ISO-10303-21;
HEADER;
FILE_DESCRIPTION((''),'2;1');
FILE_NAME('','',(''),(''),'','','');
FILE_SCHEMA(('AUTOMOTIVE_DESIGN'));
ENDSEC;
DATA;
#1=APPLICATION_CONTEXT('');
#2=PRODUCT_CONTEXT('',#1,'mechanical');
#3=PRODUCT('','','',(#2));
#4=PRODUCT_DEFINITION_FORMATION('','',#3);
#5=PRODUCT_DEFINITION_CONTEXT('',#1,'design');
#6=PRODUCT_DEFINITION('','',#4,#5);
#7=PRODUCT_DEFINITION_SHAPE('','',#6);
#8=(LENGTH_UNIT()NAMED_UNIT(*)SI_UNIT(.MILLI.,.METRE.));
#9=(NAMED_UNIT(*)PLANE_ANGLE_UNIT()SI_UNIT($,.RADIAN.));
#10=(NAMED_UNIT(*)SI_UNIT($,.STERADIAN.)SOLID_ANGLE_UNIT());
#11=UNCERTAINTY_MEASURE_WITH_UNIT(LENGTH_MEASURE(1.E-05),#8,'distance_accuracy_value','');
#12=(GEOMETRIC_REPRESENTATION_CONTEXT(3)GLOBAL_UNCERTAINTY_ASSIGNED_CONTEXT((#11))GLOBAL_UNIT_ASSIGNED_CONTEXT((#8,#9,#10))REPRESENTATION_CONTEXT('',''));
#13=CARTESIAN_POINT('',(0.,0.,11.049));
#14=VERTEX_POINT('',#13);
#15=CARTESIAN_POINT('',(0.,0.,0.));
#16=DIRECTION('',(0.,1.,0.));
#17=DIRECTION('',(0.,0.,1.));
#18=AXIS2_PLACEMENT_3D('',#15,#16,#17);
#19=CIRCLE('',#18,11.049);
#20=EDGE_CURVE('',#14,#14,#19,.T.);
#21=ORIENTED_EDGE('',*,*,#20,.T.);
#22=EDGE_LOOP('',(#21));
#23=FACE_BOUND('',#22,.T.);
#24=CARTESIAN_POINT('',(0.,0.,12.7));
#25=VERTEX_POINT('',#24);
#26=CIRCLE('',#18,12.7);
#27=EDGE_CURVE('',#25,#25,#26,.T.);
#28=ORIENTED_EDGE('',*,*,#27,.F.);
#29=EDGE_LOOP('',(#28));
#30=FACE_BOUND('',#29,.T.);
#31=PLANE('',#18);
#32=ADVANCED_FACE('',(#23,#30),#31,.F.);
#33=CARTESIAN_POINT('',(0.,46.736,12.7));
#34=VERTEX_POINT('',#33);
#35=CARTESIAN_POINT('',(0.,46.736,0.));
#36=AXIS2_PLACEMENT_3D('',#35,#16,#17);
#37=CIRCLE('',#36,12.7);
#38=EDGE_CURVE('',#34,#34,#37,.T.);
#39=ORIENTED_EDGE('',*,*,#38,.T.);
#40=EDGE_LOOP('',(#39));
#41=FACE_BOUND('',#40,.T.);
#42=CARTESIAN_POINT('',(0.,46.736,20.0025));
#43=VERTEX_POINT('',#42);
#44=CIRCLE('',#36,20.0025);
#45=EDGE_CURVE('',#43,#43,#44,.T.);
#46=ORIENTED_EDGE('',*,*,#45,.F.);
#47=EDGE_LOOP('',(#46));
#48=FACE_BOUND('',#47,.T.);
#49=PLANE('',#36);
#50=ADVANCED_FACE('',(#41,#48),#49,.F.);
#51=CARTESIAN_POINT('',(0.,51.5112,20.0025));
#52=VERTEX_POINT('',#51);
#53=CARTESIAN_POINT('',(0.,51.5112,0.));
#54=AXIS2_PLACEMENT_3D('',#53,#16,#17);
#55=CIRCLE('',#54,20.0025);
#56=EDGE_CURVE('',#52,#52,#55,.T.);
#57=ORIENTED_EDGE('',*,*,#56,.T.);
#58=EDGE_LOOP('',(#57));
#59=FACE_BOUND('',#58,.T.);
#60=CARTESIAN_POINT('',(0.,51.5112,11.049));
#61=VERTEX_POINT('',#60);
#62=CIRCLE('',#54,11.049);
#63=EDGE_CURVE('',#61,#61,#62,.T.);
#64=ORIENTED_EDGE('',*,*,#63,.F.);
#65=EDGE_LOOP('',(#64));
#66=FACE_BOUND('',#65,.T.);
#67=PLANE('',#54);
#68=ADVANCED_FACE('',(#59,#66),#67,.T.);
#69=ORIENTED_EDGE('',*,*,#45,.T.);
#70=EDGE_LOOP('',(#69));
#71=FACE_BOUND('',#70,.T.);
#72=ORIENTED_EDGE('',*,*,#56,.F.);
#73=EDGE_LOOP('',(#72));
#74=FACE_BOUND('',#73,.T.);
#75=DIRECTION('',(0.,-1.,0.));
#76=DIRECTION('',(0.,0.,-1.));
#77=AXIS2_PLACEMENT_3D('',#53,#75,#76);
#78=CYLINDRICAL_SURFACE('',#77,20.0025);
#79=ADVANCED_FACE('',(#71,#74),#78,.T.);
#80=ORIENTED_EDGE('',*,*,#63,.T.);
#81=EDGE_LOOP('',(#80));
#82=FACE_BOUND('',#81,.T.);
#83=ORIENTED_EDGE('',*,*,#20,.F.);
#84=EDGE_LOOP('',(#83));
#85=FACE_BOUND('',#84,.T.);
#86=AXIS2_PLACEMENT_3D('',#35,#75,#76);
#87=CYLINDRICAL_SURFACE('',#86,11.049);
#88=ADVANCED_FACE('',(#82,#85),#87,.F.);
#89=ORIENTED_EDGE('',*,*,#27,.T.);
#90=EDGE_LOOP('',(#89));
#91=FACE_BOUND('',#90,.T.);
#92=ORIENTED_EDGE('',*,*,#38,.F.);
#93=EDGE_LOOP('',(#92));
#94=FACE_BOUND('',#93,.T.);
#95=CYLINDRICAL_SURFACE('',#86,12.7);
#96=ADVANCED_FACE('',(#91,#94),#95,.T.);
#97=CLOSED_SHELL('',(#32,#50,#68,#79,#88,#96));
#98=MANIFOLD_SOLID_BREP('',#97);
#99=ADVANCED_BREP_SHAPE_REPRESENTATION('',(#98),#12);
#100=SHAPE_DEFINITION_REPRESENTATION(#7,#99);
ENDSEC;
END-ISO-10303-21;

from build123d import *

# Parameters (mm, degrees)
SKETCH1_R           = 12.7
SKETCH1_R_2         = 11.049
BOSS_EXTRUDE1_DEPTH = 46.736
SKETCH2_R           = 20.0025
SKETCH2_R_2         = 11.049
BOSS_EXTRUDE2_DEPTH = 4.7752


with BuildPart() as part:
    # Sketch1 → Boss-Extrude1 (new body)
    with BuildSketch(Plane(origin=(0, 0, 0), x_dir=(1, 0, 0), z_dir=(0, 1, 0))):
        with Locations(Location((0, 0, 0), (0, 0, 270))):
            Circle(SKETCH1_R)
        with Locations(Location((0, 0, 0), (0, 0, 270))):
            Circle(SKETCH1_R_2, mode=Mode.SUBTRACT)
    extrude(amount=BOSS_EXTRUDE1_DEPTH)

    # Sketch2 → Boss-Extrude2 (add)
    with BuildSketch(Plane(origin=(0, 46.736, 0), x_dir=(1, 0, 0), z_dir=(0, 1, 0))):
        with Locations(Location((0, 0, 0), (0, 0, 270))):
            Circle(SKETCH2_R)
        with Locations(Location((0, 0, 0), (0, 0, 270))):
            Circle(SKETCH2_R_2, mode=Mode.SUBTRACT)
    extrude(amount=BOSS_EXTRUDE2_DEPTH)


solid = part.part
